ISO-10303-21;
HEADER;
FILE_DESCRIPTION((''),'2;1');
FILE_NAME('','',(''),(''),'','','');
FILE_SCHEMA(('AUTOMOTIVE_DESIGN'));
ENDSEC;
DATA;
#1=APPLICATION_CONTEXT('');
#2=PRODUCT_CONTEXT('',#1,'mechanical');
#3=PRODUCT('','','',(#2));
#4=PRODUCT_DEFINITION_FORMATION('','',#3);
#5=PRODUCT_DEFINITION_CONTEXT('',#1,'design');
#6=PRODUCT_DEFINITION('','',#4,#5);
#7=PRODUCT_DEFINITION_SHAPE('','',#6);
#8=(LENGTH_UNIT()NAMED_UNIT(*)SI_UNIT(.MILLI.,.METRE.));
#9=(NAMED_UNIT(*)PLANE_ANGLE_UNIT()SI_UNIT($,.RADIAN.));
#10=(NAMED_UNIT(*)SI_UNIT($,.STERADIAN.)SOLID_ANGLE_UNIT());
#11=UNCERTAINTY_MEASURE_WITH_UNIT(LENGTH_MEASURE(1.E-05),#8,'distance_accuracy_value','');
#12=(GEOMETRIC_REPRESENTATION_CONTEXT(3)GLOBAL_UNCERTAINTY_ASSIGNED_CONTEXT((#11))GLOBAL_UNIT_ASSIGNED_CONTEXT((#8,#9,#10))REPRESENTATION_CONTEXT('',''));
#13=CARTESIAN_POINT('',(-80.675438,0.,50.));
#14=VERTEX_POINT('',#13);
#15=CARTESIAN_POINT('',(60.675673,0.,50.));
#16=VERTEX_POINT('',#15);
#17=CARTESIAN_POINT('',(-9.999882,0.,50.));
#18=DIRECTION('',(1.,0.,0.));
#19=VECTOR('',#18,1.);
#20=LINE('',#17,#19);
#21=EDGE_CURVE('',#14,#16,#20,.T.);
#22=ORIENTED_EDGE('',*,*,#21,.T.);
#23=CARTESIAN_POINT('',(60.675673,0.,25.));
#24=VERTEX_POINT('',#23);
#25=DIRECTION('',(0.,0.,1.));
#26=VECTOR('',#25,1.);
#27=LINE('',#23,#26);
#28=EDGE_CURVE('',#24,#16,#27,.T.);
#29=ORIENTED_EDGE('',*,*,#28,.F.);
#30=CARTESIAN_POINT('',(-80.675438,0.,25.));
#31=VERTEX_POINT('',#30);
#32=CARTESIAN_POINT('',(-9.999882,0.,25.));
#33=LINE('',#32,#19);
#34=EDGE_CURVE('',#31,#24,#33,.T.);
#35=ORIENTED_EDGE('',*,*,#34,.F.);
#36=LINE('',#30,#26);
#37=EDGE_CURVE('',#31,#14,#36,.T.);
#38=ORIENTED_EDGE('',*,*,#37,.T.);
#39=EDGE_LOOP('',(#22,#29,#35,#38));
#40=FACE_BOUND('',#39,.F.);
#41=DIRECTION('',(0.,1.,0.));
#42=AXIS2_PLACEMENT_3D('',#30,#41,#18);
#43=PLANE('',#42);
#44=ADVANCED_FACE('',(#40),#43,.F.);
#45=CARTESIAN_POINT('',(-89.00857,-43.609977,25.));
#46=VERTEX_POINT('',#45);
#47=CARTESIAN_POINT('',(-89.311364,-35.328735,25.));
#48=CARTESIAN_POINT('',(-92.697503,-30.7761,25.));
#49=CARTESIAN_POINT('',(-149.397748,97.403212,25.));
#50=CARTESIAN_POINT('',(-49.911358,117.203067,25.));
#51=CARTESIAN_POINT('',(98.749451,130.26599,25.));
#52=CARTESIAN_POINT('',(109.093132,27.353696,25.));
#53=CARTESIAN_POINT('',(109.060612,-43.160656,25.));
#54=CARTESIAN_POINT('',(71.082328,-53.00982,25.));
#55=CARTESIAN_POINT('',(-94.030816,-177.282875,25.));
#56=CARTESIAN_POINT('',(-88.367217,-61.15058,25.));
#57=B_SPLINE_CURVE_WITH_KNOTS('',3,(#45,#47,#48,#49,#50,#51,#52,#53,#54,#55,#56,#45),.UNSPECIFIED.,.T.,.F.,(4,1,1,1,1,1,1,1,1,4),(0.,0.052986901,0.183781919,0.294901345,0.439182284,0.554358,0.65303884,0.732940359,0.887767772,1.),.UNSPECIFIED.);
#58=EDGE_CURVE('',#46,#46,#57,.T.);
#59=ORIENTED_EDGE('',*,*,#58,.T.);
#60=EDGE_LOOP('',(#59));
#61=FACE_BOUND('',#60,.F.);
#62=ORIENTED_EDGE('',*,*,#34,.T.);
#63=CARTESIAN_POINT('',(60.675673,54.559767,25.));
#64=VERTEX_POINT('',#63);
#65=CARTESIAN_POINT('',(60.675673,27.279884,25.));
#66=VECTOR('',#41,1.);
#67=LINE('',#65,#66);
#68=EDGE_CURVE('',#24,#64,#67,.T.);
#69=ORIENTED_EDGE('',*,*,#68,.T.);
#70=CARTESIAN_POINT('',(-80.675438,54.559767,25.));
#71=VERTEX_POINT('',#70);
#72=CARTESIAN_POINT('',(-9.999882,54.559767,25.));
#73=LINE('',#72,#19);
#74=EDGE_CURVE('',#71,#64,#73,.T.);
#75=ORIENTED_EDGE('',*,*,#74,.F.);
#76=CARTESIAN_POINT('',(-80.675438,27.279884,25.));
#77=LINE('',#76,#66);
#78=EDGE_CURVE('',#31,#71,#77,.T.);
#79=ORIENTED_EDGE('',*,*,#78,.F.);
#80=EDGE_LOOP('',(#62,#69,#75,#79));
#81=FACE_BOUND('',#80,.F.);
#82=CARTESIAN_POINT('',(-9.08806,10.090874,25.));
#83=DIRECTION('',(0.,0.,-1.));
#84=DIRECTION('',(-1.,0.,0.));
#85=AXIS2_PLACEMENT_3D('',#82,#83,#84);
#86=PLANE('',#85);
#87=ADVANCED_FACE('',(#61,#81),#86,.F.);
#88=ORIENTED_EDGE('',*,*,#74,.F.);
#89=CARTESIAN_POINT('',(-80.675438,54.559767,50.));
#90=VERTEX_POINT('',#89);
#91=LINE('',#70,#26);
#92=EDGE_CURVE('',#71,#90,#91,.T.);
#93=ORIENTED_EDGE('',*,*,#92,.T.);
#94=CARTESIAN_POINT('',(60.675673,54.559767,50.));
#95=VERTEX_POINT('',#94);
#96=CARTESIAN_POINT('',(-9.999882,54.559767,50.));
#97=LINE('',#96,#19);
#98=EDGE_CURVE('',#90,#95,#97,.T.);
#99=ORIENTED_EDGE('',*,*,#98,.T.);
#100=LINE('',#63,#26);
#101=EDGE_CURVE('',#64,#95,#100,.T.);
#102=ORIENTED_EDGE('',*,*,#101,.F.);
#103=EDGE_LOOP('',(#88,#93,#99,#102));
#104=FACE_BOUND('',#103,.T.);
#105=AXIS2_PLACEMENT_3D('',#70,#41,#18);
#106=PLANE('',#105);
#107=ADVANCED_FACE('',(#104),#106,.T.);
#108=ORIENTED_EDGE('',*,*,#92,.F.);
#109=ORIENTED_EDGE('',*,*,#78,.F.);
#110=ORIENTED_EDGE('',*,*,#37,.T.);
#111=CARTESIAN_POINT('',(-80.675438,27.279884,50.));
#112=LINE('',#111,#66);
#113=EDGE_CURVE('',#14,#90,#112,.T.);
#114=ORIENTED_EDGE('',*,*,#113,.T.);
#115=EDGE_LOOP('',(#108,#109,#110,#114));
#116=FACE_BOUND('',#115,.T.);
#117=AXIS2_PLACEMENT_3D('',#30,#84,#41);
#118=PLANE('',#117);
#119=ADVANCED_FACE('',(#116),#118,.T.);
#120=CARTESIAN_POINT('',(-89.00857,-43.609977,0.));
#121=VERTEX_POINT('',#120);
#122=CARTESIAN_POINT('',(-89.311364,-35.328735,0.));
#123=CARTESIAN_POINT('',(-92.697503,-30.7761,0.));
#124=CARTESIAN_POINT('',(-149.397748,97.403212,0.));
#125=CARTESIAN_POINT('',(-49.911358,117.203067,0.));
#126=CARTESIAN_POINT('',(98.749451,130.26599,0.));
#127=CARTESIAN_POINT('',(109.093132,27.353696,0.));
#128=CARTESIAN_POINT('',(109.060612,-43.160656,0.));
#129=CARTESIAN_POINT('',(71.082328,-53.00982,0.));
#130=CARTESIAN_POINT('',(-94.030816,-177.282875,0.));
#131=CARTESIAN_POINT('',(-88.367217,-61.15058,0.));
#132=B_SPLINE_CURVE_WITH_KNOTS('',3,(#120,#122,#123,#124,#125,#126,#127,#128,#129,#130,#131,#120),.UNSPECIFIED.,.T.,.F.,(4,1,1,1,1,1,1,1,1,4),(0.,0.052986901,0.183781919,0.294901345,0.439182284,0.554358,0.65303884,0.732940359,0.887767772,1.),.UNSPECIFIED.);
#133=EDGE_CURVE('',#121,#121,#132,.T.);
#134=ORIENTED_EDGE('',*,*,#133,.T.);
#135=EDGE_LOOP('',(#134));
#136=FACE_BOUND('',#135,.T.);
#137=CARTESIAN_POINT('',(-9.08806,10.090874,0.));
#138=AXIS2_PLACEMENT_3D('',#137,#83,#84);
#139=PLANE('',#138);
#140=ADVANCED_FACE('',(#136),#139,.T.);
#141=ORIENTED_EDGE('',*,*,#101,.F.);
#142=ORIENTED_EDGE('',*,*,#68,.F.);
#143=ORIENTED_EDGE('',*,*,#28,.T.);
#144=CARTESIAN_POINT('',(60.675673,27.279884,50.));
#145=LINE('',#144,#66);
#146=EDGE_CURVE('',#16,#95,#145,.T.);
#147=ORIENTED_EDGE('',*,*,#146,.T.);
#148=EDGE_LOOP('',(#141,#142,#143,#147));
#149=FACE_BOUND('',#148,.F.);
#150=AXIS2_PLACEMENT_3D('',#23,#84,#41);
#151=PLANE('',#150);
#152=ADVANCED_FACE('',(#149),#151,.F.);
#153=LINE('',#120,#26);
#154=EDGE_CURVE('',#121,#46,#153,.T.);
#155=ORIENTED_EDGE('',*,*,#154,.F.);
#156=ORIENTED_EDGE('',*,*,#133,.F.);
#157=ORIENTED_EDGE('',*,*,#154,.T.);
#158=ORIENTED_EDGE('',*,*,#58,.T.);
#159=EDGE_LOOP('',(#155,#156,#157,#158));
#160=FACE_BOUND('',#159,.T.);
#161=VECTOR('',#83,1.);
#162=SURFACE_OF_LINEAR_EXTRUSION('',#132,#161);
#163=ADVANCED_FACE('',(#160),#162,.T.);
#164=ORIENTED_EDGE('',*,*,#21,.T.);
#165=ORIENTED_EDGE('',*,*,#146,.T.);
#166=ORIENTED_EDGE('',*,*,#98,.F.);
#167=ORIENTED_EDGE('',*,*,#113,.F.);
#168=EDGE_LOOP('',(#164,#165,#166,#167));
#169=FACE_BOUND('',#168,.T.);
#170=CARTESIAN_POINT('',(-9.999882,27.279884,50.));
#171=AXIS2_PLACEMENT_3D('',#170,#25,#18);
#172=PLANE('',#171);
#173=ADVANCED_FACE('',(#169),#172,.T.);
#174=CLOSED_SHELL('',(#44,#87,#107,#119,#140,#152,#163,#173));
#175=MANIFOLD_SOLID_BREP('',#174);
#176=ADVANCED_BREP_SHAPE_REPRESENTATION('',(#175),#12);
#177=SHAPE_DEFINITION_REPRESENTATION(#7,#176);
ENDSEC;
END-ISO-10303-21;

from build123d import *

# Parameters (mm, degrees)
F1_DEPTH = 25
F2_W     = 141.3511112332
F2_H     = 54.5597672462
F3_DEPTH = 25


with BuildPart() as f1:
    # F0 (on Top) → F1 (new body)
    with BuildSketch(Plane.XY):
        with BuildLine():
            add(Edge.make_bspline(
                [(-89.0085697174, -43.6099767685), (-89.3113640386, -35.3287352979), (-92.6975034798, -30.7760996088), (-149.397748311, 97.4032124414), (-49.9113575686, 117.2030673211), (98.7494512613, 130.2659899387), (109.0931321076, 27.3536955528), (109.0606115261, -43.1606559469), (71.0823284241, -53.0098197574), (-94.0308158749, -177.2828753939), (-88.3672172166, -61.1505795968), (-89.0085697174, -43.6099767685)],
                knots=[0, 0, 0, 0, 0.0529869005, 0.183781919, 0.2949013446, 0.4391822839, 0.5543579998, 0.6530388404, 0.7329403594, 0.8877677724, 1, 1, 1, 1], degree=3))
        make_face()
    extrude(amount=F1_DEPTH)

    # F2 (on face) → F3 (join)
    with BuildSketch(Plane.XY.offset(25)):
        with Locations((-9.9998824298, 27.2798836231)):
            Rectangle(F2_W, F2_H)
    extrude(amount=F3_DEPTH)


solid = f1.part
